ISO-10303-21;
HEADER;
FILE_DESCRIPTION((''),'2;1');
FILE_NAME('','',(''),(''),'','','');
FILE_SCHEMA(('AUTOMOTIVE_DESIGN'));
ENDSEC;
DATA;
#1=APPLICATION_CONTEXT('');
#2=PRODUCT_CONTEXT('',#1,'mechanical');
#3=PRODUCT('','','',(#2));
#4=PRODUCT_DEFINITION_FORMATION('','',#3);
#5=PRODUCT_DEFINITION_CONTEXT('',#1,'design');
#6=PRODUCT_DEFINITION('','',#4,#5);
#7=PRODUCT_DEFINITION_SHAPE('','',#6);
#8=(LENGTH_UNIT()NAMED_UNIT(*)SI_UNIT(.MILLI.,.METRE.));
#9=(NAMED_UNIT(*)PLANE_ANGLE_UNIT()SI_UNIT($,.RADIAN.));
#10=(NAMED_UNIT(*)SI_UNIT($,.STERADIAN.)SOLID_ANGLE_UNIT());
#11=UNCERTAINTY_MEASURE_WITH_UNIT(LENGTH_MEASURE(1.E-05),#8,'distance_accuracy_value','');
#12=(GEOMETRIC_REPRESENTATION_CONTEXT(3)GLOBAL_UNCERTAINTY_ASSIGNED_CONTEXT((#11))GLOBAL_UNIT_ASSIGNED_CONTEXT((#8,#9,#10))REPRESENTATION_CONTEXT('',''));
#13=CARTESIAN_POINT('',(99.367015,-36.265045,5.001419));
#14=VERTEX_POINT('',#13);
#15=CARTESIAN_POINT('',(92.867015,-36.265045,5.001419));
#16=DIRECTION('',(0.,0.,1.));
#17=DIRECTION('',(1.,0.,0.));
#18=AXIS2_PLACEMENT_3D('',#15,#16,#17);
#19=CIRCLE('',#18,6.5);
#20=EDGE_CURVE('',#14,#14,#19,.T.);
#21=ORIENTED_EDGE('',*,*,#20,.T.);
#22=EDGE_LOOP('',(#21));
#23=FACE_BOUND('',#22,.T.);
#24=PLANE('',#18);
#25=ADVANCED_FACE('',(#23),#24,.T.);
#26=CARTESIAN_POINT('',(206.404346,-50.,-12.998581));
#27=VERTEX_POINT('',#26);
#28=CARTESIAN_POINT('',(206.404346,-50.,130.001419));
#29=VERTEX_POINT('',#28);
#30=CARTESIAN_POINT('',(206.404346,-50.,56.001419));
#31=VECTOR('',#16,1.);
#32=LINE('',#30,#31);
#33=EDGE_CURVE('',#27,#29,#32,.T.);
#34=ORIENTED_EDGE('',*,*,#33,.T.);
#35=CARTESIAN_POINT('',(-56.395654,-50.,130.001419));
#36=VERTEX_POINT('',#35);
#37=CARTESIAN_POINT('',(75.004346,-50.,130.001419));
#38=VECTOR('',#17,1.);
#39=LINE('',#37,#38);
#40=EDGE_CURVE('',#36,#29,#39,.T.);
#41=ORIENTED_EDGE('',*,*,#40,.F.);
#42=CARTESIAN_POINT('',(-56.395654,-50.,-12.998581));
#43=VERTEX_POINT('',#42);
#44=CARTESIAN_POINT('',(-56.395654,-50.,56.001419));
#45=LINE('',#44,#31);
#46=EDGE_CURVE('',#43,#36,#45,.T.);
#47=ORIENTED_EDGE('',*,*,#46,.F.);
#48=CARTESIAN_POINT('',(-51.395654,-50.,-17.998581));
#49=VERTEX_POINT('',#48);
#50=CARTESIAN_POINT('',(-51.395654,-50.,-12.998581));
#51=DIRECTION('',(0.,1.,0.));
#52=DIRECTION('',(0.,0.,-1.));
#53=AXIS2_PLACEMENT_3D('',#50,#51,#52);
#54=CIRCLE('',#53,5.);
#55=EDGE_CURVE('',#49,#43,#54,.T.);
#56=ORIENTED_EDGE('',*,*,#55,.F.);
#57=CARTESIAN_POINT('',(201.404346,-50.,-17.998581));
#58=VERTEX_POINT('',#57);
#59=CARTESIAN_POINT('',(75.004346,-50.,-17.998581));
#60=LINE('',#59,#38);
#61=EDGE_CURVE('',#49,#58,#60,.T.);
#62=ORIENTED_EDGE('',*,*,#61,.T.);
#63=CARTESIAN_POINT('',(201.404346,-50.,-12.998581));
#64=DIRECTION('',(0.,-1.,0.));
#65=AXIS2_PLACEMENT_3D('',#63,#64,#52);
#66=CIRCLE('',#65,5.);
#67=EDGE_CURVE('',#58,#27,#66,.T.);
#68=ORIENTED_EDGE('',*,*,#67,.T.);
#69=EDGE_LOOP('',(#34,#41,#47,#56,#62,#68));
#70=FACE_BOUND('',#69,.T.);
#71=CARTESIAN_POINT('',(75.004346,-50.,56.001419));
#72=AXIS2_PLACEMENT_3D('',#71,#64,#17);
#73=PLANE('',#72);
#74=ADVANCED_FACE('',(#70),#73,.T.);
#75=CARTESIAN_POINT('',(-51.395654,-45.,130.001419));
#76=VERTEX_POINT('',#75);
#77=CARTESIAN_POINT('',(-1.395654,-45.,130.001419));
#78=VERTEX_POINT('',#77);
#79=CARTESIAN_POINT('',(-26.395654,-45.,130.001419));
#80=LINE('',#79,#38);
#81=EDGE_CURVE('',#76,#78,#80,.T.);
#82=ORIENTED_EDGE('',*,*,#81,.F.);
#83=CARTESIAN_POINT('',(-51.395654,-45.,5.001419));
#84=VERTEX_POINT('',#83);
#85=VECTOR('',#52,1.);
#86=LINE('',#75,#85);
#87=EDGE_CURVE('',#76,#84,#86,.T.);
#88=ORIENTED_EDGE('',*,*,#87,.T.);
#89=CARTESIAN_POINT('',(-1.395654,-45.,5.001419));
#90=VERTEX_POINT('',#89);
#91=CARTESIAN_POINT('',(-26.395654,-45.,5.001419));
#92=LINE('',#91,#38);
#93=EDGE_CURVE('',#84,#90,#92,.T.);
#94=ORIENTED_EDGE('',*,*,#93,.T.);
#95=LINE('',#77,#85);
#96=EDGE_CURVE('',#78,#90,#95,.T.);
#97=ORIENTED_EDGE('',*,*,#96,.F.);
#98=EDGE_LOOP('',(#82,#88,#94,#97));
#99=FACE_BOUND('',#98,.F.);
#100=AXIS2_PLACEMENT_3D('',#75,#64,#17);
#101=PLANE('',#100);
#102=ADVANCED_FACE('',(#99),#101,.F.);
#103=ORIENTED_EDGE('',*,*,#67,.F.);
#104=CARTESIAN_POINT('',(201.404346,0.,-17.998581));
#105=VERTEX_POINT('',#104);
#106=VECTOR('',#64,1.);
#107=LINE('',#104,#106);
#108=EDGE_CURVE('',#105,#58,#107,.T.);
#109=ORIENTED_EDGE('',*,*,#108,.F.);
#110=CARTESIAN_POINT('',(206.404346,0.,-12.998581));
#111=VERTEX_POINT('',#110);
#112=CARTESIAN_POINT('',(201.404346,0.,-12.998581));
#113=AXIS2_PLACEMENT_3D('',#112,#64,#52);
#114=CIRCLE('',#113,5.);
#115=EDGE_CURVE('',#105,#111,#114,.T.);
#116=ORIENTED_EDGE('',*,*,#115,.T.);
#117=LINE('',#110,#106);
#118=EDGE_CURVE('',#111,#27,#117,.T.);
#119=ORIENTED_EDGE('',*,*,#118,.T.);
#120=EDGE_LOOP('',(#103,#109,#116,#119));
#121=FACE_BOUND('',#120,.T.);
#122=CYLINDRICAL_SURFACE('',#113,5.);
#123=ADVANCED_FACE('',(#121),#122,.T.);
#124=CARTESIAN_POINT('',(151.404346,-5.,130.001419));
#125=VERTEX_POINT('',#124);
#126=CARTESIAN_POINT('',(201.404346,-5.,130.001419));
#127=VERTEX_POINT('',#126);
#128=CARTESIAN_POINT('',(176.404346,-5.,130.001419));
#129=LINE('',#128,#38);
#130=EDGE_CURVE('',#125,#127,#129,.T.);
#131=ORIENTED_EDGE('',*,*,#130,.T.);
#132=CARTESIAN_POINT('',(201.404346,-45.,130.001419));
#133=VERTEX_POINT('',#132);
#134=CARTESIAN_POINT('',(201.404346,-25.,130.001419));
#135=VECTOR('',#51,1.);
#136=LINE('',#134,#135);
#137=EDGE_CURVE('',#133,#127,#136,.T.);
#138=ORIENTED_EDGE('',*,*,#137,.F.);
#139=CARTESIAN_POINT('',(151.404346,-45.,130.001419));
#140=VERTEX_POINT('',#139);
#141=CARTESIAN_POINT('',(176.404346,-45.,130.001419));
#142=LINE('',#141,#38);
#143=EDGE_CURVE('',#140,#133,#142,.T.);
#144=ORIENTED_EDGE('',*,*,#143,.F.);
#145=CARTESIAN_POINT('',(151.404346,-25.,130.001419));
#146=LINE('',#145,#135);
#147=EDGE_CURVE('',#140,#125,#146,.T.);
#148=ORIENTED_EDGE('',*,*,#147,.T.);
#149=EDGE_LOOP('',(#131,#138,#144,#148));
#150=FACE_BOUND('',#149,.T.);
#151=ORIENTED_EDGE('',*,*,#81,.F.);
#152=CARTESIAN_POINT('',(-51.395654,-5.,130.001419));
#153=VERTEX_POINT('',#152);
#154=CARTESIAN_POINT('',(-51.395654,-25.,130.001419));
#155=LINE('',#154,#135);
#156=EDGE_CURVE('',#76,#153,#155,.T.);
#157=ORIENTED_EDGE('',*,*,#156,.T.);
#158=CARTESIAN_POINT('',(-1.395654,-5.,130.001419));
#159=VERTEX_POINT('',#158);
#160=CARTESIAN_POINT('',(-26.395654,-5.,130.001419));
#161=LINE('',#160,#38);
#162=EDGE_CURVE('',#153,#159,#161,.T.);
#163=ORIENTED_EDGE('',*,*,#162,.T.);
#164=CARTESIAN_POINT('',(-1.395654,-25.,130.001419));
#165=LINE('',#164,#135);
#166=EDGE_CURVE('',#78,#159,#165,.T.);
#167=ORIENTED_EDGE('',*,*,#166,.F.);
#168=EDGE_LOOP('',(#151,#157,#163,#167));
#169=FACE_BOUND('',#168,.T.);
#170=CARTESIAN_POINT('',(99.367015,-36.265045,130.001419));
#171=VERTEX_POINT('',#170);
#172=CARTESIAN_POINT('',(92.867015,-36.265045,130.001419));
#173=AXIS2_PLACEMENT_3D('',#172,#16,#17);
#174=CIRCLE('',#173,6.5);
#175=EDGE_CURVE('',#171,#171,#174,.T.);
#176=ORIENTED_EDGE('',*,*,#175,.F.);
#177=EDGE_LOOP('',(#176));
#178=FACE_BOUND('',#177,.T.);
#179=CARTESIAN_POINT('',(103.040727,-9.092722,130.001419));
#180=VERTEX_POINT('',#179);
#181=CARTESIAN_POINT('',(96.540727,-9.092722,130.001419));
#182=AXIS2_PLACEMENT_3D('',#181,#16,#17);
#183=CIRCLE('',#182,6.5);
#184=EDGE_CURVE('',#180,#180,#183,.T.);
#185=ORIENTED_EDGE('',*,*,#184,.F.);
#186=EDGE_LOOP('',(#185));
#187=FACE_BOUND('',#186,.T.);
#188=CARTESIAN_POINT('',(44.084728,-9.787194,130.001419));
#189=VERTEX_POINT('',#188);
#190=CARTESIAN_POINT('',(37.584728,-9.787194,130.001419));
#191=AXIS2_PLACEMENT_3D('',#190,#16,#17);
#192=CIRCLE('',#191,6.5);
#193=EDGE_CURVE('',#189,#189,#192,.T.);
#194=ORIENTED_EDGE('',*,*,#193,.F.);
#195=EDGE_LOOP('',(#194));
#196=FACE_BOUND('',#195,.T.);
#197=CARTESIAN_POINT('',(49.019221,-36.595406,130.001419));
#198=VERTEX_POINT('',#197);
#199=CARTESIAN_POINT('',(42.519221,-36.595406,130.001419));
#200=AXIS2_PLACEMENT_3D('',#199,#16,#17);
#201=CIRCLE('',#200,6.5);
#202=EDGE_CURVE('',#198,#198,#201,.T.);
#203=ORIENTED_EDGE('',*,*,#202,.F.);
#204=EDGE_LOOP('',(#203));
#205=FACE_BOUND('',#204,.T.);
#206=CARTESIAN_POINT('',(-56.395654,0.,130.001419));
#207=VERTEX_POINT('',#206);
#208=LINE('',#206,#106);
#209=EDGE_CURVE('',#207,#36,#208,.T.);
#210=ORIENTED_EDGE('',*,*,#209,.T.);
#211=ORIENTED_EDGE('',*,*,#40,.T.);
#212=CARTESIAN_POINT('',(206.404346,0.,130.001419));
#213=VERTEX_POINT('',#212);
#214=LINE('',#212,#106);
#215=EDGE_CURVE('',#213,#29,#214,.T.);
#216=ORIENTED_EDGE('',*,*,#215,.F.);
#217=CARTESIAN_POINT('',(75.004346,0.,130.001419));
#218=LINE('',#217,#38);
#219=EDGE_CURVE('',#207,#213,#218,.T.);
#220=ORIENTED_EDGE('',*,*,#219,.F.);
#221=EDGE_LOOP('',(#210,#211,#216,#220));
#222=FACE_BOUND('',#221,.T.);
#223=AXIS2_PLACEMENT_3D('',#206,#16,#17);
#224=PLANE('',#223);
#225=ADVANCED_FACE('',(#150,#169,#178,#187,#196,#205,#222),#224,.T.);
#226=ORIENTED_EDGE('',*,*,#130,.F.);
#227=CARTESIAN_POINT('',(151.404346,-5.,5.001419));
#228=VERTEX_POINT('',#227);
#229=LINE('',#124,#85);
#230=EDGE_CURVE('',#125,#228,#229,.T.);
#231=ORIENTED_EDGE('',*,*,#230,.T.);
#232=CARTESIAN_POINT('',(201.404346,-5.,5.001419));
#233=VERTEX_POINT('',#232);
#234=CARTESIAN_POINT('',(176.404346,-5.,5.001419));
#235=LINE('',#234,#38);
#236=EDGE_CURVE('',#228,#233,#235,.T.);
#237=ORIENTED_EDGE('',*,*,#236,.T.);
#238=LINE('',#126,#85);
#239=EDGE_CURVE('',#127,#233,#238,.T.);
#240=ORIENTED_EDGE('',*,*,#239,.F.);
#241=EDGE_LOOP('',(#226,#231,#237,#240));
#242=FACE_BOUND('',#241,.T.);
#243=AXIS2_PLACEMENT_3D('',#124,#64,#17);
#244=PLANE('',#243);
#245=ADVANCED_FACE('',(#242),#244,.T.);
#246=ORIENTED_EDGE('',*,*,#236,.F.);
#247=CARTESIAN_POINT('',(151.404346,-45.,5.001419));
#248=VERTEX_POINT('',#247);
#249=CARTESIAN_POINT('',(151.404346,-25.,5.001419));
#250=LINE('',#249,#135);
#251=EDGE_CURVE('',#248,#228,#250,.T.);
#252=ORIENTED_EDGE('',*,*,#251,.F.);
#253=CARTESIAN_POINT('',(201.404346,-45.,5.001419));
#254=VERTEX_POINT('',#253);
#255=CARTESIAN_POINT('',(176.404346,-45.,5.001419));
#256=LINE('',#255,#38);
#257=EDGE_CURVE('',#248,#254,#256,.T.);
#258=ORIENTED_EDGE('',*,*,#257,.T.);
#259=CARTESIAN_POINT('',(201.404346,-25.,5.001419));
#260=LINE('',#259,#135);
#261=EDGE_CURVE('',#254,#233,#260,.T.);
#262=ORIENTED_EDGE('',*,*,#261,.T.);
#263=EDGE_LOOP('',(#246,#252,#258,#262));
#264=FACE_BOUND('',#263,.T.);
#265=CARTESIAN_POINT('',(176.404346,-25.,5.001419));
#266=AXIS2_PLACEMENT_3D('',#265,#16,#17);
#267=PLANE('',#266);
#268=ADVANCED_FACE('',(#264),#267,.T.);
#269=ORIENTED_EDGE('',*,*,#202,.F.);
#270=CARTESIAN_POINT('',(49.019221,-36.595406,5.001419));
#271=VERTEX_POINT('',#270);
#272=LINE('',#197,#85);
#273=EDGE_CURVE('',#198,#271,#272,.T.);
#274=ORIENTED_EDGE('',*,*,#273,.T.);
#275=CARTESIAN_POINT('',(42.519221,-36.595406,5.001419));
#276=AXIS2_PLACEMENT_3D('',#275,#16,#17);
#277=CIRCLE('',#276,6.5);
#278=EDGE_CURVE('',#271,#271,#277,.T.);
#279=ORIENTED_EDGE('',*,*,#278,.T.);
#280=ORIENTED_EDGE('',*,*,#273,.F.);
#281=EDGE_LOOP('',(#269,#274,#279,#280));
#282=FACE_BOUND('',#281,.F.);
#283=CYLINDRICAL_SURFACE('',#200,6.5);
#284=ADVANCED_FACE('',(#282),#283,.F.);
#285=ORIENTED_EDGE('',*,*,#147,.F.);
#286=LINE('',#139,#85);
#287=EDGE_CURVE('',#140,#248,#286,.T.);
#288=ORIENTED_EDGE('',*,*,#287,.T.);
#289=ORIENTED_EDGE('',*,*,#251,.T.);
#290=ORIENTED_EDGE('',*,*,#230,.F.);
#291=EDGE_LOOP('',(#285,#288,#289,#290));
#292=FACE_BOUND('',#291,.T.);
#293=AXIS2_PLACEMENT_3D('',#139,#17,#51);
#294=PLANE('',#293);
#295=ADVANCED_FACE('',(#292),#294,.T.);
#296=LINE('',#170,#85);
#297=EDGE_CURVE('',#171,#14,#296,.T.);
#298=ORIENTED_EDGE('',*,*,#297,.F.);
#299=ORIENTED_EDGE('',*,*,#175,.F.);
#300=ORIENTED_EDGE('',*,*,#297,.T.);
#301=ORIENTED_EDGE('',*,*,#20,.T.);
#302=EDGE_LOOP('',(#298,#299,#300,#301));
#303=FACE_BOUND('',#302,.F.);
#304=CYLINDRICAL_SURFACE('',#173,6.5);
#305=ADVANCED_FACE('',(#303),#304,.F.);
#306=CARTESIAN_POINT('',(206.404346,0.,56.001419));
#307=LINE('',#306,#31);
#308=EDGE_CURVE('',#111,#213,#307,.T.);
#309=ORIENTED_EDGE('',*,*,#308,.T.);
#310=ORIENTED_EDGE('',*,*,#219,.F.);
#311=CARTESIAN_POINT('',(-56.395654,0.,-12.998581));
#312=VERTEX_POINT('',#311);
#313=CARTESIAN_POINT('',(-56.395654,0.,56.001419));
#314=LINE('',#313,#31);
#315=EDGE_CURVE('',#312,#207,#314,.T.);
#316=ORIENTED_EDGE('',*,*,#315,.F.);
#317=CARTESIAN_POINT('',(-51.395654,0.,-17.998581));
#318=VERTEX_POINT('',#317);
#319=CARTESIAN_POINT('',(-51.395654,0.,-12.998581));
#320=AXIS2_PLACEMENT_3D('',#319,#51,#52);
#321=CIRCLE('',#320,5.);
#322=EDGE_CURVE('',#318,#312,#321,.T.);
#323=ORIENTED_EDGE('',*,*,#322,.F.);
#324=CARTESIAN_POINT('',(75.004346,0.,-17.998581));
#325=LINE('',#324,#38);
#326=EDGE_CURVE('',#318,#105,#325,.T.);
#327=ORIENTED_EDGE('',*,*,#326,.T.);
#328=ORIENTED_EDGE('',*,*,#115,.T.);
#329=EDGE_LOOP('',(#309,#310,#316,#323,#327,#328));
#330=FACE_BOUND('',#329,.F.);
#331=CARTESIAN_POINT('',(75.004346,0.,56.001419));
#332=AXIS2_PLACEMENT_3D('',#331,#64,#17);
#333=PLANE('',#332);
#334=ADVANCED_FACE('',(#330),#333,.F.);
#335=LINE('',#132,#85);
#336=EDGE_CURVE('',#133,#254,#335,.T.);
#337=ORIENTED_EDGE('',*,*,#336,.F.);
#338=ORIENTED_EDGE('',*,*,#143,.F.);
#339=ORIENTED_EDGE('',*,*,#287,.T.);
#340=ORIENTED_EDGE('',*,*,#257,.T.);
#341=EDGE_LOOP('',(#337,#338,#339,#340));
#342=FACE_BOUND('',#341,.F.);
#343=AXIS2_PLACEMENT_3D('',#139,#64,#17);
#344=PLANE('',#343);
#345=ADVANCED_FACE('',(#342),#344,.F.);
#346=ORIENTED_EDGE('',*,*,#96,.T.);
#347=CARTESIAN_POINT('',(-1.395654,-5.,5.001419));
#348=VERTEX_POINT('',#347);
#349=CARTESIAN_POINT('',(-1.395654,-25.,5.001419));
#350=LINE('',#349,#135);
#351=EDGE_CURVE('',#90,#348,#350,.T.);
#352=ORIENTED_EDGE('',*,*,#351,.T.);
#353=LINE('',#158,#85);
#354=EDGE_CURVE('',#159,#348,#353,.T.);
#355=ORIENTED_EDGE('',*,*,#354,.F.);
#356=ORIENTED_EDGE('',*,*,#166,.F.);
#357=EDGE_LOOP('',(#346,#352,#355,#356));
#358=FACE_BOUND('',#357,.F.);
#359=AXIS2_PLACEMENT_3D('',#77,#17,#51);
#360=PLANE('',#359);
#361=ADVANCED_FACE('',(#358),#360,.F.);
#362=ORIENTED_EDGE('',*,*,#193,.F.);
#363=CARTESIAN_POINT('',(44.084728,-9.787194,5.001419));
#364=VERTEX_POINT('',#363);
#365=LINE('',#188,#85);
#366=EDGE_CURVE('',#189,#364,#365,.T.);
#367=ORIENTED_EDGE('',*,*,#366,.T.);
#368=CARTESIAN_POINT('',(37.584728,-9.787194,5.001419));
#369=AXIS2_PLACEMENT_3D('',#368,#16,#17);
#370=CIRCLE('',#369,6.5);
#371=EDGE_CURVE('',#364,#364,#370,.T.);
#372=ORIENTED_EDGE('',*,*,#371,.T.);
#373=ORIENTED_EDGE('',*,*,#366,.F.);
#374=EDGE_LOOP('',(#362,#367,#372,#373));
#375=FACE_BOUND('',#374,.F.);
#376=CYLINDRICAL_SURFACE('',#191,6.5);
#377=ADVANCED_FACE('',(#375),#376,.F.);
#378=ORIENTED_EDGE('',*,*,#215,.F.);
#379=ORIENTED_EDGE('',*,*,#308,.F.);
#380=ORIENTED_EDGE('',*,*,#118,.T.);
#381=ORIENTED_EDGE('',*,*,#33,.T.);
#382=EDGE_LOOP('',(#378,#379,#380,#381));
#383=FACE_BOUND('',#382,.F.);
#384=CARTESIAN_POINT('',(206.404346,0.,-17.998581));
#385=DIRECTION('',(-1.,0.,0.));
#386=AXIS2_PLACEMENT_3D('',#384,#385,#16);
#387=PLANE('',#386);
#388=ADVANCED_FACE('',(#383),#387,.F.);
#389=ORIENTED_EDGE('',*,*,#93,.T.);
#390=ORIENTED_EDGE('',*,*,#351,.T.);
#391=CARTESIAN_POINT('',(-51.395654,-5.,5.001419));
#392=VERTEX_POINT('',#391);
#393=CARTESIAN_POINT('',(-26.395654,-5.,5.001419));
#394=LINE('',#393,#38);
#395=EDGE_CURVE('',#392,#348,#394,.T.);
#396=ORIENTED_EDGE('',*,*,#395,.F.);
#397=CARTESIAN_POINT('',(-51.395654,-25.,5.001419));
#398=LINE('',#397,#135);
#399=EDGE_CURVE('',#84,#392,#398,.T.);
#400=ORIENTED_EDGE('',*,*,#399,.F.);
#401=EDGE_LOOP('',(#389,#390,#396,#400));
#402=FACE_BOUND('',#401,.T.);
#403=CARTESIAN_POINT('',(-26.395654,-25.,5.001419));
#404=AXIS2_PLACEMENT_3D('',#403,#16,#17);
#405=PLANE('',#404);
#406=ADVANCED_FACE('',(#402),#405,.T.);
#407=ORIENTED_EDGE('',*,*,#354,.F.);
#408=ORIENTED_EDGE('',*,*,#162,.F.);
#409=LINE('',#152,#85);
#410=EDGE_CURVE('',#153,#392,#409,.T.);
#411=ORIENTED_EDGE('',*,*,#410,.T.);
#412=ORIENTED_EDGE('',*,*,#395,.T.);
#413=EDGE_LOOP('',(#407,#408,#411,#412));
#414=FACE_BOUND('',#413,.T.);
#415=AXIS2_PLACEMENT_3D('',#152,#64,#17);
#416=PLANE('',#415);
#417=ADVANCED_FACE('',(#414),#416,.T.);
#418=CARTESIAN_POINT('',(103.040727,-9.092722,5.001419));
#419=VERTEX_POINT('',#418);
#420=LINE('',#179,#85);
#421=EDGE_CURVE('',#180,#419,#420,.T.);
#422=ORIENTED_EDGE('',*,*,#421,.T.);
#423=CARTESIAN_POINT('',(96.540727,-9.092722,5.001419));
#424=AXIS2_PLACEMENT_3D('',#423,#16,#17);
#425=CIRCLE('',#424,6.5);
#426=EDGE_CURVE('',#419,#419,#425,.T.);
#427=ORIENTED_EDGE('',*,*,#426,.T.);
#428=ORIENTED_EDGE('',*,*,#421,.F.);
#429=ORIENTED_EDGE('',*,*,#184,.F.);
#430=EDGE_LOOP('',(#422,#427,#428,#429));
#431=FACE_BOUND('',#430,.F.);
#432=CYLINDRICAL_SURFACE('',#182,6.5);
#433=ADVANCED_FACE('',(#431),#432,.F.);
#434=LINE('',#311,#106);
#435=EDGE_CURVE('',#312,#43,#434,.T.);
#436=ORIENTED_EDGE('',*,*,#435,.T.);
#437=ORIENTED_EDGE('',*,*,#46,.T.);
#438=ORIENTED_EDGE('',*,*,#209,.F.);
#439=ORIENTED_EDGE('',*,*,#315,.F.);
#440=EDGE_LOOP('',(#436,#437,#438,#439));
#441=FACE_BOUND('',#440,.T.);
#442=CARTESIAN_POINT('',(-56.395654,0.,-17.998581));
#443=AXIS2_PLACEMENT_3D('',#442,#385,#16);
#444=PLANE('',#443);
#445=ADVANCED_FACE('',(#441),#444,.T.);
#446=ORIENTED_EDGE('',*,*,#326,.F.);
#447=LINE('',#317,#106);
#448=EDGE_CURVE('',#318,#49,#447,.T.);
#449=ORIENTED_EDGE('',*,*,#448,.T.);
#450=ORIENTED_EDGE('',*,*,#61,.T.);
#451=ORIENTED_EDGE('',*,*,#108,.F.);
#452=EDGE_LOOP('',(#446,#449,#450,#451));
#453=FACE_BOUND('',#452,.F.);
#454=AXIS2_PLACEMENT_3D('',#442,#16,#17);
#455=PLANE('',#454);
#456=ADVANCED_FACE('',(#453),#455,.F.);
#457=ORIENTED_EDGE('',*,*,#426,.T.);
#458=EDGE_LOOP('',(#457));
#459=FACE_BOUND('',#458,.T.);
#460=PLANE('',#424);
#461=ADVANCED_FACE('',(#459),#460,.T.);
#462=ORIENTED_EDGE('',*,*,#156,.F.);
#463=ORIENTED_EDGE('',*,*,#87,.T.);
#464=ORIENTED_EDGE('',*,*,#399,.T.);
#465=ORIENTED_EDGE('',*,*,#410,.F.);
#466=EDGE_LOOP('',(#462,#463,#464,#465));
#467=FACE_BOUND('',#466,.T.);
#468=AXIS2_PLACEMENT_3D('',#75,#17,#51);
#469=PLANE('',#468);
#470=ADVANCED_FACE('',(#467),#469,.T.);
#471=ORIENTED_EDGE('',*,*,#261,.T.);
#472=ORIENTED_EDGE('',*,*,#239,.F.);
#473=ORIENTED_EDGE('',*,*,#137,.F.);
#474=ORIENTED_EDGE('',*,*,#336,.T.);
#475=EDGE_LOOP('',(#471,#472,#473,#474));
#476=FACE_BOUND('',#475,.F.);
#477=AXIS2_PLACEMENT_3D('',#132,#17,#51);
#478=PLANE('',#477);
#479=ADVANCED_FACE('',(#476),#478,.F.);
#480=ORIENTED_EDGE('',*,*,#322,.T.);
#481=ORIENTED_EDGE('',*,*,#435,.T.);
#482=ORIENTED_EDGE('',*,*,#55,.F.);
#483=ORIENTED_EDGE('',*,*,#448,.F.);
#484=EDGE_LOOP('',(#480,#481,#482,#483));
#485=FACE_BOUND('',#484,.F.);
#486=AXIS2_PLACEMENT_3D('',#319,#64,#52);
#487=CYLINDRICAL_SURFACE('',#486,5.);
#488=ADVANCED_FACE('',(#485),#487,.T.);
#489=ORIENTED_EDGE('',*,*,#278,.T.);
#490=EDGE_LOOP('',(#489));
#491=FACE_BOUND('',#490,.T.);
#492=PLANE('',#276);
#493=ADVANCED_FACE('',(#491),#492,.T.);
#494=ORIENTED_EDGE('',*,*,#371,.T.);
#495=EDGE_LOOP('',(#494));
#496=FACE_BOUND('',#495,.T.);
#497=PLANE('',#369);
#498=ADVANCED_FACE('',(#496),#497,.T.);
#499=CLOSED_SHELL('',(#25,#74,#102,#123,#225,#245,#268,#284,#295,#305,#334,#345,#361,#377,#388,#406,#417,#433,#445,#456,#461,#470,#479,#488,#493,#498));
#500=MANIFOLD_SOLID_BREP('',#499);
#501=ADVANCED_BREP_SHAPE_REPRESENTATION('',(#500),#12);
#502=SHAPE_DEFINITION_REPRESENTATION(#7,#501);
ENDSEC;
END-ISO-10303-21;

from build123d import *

# Parameters (mm, degrees)
F0_W     = 262.8
F0_H     = 148
F1_DEPTH = 50
F2_R     = 5
F3_R     = 5
F4_W     = 50
F4_H     = 40
F4_R     = 6.5
F5_DEPTH = 125


with BuildPart() as f1:
    # F0 (on Front) → F1 (new body)
    with BuildSketch(Plane.XZ):
        with Locations((75.004346, 56.001419)):
            Rectangle(F0_W, F0_H)
    extrude(amount=F1_DEPTH)

    # F2
    f2_edges = [f1.edges().sort_by_distance(p)[0] for p in [
        (206.404346, -25, -17.998581),
    ]]
    fillet(f2_edges, radius=F2_R)

    # F3
    f3_edges = [f1.edges().sort_by_distance(p)[0] for p in [
        (-56.395654, -25, -17.998581),
    ]]
    fillet(f3_edges, radius=F3_R)

    # F4 (on face) → F5 (cut)
    with BuildSketch(Plane.XY.offset(130.001419)):
        with Locations((-26.395654, -25)):
            Rectangle(F4_W, F4_H)
        with Locations((37.584728, -9.787194)):
            Circle(F4_R)
        with Locations((96.540727, -9.092722)):
            Circle(F4_R)
        with Locations((42.519221, -36.595406)):
            Circle(F4_R)
        with Locations((92.867015, -36.265045)):
            Circle(F4_R)
        with Locations((176.404346, -25)):
            Rectangle(F4_W, F4_H)
    extrude(amount=-F5_DEPTH, mode=Mode.SUBTRACT)


solid = f1.part
